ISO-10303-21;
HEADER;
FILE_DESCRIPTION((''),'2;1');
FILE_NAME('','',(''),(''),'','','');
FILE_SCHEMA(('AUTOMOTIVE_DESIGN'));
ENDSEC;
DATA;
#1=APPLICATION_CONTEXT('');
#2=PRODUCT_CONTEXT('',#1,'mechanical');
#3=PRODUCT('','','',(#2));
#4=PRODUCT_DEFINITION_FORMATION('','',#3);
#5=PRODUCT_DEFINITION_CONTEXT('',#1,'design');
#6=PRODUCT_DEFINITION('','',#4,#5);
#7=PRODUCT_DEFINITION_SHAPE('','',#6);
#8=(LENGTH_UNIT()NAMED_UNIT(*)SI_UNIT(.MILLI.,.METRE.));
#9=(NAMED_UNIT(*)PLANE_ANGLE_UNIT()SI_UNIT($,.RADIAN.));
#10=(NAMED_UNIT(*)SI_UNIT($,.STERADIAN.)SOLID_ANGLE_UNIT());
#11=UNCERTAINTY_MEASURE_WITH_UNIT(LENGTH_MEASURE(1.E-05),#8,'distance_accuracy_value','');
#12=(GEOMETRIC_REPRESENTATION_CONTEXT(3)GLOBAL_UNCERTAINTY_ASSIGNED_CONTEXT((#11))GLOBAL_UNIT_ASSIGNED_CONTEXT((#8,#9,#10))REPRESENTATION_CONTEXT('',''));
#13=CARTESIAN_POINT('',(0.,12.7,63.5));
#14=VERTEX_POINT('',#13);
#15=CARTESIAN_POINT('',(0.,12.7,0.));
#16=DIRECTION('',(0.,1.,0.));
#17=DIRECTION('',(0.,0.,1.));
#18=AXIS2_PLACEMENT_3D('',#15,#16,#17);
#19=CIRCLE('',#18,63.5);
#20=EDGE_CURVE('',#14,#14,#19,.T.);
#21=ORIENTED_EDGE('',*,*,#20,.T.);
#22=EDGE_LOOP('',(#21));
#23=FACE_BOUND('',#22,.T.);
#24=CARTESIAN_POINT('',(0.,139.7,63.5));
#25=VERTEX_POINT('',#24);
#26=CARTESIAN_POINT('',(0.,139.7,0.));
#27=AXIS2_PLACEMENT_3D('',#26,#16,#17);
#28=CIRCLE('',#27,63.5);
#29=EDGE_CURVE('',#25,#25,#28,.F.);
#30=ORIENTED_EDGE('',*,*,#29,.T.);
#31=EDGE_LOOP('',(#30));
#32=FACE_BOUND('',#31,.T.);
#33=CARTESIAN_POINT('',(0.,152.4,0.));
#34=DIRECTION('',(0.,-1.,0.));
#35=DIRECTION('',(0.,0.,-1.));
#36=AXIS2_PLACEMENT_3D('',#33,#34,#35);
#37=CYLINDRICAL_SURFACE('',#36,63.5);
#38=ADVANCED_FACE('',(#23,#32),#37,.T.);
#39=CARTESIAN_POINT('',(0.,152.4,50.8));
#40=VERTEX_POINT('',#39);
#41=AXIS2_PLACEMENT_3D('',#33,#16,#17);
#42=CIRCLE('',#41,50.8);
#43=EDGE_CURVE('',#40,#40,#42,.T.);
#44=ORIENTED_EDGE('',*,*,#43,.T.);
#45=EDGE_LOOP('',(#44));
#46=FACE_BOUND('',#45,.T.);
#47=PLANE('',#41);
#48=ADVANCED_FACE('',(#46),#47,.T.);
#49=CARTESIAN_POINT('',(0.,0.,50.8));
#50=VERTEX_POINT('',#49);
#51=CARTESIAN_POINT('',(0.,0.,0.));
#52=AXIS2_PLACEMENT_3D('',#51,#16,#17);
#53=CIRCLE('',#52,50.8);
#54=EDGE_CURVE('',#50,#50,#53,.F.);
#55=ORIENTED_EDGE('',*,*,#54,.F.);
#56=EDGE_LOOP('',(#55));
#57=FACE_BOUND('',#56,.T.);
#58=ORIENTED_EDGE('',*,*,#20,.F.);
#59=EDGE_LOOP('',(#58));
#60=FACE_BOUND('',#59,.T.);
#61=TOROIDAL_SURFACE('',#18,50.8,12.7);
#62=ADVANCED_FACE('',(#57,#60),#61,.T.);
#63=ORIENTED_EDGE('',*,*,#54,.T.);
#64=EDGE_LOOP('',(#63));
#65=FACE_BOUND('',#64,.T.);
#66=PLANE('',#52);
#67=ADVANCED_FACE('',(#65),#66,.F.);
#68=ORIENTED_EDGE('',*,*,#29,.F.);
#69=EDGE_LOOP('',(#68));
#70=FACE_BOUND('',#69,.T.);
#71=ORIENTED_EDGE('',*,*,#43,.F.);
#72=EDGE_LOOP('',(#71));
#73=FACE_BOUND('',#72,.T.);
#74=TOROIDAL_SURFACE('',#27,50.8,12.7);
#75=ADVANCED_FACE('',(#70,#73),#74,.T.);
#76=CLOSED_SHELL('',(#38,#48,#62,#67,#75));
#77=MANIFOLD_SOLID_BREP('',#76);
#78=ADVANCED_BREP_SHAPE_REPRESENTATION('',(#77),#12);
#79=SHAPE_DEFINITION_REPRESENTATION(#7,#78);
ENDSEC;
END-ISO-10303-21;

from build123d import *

# Parameters (mm, degrees)
SKETCH2_R           = 63.5
BOSS_EXTRUDE1_DEPTH = 152.4
FILLET1_R           = 12.7


with BuildPart() as part:
    # Sketch2 → Boss-Extrude1 (new body)
    with BuildSketch(Plane(origin=(0, 0, 0), x_dir=(1, 0, 0), z_dir=(0, 1, 0))):
        Circle(SKETCH2_R)
    extrude(amount=BOSS_EXTRUDE1_DEPTH)

    # Fillet1
    fillet1_edges = [part.edges().sort_by_distance(p)[0] for p in [
        (-63.5, 0, 0),
        (-63.5, 152.4, 0),
    ]]
    fillet(fillet1_edges, radius=FILLET1_R)


solid = part.part
